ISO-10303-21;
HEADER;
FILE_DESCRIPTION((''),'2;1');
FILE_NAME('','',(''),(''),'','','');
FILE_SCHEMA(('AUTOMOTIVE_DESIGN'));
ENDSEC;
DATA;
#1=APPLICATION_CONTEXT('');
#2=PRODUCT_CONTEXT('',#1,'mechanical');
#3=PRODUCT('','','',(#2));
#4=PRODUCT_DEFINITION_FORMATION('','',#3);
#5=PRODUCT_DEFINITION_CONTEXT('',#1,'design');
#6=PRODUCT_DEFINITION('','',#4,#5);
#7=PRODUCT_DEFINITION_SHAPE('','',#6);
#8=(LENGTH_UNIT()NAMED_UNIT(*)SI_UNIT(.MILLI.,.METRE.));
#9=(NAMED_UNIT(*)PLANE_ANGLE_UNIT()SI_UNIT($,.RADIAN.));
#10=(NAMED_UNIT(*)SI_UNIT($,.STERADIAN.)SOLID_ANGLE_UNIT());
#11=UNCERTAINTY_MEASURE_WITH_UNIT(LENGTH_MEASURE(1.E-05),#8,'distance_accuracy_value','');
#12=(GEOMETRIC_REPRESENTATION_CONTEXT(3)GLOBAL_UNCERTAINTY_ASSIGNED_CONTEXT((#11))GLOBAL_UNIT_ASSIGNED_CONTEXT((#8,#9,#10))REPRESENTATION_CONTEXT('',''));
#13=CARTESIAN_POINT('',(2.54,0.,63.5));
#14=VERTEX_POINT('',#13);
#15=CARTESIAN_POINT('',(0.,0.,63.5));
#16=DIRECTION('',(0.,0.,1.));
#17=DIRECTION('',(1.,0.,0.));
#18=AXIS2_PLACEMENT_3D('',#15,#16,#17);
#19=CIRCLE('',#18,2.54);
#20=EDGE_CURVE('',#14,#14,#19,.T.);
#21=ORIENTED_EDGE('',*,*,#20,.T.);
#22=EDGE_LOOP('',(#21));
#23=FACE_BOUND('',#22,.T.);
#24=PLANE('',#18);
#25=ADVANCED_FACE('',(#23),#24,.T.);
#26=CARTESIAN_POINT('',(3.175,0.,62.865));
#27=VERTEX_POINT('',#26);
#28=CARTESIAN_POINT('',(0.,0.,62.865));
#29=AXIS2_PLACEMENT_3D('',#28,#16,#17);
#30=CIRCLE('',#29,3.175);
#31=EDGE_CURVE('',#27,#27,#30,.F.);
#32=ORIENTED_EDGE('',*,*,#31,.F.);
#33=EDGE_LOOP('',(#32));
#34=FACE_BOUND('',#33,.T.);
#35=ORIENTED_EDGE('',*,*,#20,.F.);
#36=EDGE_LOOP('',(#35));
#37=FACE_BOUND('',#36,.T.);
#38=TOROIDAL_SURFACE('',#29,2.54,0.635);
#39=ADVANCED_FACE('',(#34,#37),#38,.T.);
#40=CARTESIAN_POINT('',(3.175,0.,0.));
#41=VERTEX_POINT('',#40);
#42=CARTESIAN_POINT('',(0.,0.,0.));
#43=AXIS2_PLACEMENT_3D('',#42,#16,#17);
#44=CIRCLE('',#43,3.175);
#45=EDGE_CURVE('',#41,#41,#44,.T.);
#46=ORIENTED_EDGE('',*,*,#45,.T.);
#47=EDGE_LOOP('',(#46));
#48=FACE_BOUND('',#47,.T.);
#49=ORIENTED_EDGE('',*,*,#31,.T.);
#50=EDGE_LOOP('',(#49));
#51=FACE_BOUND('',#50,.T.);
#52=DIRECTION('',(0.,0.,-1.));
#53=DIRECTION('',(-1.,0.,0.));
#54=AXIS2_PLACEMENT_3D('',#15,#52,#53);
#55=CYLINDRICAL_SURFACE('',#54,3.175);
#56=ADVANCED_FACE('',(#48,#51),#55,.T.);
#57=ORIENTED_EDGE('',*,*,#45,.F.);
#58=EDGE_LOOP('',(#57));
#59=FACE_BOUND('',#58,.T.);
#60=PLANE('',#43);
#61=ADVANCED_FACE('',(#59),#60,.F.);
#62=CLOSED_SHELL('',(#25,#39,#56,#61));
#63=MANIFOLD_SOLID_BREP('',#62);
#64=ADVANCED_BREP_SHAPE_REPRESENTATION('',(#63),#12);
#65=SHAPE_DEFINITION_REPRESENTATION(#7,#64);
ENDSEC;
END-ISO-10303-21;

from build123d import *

# Parameters (mm, degrees)
SKETCH1_R           = 3.175
BOSS_EXTRUDE1_DEPTH = 63.5
FILLET1_R           = 0.635


with BuildPart() as part:
    # Sketch1 → Boss-Extrude1 (new body)
    with BuildSketch(Plane.XY):
        Circle(SKETCH1_R)
    extrude(amount=BOSS_EXTRUDE1_DEPTH)

    # Fillet1
    fillet1_edges = [part.edges().sort_by_distance(p)[0] for p in [
        (-3.175, 0, 63.5),
    ]]
    fillet(fillet1_edges, radius=FILLET1_R)


solid = part.part
